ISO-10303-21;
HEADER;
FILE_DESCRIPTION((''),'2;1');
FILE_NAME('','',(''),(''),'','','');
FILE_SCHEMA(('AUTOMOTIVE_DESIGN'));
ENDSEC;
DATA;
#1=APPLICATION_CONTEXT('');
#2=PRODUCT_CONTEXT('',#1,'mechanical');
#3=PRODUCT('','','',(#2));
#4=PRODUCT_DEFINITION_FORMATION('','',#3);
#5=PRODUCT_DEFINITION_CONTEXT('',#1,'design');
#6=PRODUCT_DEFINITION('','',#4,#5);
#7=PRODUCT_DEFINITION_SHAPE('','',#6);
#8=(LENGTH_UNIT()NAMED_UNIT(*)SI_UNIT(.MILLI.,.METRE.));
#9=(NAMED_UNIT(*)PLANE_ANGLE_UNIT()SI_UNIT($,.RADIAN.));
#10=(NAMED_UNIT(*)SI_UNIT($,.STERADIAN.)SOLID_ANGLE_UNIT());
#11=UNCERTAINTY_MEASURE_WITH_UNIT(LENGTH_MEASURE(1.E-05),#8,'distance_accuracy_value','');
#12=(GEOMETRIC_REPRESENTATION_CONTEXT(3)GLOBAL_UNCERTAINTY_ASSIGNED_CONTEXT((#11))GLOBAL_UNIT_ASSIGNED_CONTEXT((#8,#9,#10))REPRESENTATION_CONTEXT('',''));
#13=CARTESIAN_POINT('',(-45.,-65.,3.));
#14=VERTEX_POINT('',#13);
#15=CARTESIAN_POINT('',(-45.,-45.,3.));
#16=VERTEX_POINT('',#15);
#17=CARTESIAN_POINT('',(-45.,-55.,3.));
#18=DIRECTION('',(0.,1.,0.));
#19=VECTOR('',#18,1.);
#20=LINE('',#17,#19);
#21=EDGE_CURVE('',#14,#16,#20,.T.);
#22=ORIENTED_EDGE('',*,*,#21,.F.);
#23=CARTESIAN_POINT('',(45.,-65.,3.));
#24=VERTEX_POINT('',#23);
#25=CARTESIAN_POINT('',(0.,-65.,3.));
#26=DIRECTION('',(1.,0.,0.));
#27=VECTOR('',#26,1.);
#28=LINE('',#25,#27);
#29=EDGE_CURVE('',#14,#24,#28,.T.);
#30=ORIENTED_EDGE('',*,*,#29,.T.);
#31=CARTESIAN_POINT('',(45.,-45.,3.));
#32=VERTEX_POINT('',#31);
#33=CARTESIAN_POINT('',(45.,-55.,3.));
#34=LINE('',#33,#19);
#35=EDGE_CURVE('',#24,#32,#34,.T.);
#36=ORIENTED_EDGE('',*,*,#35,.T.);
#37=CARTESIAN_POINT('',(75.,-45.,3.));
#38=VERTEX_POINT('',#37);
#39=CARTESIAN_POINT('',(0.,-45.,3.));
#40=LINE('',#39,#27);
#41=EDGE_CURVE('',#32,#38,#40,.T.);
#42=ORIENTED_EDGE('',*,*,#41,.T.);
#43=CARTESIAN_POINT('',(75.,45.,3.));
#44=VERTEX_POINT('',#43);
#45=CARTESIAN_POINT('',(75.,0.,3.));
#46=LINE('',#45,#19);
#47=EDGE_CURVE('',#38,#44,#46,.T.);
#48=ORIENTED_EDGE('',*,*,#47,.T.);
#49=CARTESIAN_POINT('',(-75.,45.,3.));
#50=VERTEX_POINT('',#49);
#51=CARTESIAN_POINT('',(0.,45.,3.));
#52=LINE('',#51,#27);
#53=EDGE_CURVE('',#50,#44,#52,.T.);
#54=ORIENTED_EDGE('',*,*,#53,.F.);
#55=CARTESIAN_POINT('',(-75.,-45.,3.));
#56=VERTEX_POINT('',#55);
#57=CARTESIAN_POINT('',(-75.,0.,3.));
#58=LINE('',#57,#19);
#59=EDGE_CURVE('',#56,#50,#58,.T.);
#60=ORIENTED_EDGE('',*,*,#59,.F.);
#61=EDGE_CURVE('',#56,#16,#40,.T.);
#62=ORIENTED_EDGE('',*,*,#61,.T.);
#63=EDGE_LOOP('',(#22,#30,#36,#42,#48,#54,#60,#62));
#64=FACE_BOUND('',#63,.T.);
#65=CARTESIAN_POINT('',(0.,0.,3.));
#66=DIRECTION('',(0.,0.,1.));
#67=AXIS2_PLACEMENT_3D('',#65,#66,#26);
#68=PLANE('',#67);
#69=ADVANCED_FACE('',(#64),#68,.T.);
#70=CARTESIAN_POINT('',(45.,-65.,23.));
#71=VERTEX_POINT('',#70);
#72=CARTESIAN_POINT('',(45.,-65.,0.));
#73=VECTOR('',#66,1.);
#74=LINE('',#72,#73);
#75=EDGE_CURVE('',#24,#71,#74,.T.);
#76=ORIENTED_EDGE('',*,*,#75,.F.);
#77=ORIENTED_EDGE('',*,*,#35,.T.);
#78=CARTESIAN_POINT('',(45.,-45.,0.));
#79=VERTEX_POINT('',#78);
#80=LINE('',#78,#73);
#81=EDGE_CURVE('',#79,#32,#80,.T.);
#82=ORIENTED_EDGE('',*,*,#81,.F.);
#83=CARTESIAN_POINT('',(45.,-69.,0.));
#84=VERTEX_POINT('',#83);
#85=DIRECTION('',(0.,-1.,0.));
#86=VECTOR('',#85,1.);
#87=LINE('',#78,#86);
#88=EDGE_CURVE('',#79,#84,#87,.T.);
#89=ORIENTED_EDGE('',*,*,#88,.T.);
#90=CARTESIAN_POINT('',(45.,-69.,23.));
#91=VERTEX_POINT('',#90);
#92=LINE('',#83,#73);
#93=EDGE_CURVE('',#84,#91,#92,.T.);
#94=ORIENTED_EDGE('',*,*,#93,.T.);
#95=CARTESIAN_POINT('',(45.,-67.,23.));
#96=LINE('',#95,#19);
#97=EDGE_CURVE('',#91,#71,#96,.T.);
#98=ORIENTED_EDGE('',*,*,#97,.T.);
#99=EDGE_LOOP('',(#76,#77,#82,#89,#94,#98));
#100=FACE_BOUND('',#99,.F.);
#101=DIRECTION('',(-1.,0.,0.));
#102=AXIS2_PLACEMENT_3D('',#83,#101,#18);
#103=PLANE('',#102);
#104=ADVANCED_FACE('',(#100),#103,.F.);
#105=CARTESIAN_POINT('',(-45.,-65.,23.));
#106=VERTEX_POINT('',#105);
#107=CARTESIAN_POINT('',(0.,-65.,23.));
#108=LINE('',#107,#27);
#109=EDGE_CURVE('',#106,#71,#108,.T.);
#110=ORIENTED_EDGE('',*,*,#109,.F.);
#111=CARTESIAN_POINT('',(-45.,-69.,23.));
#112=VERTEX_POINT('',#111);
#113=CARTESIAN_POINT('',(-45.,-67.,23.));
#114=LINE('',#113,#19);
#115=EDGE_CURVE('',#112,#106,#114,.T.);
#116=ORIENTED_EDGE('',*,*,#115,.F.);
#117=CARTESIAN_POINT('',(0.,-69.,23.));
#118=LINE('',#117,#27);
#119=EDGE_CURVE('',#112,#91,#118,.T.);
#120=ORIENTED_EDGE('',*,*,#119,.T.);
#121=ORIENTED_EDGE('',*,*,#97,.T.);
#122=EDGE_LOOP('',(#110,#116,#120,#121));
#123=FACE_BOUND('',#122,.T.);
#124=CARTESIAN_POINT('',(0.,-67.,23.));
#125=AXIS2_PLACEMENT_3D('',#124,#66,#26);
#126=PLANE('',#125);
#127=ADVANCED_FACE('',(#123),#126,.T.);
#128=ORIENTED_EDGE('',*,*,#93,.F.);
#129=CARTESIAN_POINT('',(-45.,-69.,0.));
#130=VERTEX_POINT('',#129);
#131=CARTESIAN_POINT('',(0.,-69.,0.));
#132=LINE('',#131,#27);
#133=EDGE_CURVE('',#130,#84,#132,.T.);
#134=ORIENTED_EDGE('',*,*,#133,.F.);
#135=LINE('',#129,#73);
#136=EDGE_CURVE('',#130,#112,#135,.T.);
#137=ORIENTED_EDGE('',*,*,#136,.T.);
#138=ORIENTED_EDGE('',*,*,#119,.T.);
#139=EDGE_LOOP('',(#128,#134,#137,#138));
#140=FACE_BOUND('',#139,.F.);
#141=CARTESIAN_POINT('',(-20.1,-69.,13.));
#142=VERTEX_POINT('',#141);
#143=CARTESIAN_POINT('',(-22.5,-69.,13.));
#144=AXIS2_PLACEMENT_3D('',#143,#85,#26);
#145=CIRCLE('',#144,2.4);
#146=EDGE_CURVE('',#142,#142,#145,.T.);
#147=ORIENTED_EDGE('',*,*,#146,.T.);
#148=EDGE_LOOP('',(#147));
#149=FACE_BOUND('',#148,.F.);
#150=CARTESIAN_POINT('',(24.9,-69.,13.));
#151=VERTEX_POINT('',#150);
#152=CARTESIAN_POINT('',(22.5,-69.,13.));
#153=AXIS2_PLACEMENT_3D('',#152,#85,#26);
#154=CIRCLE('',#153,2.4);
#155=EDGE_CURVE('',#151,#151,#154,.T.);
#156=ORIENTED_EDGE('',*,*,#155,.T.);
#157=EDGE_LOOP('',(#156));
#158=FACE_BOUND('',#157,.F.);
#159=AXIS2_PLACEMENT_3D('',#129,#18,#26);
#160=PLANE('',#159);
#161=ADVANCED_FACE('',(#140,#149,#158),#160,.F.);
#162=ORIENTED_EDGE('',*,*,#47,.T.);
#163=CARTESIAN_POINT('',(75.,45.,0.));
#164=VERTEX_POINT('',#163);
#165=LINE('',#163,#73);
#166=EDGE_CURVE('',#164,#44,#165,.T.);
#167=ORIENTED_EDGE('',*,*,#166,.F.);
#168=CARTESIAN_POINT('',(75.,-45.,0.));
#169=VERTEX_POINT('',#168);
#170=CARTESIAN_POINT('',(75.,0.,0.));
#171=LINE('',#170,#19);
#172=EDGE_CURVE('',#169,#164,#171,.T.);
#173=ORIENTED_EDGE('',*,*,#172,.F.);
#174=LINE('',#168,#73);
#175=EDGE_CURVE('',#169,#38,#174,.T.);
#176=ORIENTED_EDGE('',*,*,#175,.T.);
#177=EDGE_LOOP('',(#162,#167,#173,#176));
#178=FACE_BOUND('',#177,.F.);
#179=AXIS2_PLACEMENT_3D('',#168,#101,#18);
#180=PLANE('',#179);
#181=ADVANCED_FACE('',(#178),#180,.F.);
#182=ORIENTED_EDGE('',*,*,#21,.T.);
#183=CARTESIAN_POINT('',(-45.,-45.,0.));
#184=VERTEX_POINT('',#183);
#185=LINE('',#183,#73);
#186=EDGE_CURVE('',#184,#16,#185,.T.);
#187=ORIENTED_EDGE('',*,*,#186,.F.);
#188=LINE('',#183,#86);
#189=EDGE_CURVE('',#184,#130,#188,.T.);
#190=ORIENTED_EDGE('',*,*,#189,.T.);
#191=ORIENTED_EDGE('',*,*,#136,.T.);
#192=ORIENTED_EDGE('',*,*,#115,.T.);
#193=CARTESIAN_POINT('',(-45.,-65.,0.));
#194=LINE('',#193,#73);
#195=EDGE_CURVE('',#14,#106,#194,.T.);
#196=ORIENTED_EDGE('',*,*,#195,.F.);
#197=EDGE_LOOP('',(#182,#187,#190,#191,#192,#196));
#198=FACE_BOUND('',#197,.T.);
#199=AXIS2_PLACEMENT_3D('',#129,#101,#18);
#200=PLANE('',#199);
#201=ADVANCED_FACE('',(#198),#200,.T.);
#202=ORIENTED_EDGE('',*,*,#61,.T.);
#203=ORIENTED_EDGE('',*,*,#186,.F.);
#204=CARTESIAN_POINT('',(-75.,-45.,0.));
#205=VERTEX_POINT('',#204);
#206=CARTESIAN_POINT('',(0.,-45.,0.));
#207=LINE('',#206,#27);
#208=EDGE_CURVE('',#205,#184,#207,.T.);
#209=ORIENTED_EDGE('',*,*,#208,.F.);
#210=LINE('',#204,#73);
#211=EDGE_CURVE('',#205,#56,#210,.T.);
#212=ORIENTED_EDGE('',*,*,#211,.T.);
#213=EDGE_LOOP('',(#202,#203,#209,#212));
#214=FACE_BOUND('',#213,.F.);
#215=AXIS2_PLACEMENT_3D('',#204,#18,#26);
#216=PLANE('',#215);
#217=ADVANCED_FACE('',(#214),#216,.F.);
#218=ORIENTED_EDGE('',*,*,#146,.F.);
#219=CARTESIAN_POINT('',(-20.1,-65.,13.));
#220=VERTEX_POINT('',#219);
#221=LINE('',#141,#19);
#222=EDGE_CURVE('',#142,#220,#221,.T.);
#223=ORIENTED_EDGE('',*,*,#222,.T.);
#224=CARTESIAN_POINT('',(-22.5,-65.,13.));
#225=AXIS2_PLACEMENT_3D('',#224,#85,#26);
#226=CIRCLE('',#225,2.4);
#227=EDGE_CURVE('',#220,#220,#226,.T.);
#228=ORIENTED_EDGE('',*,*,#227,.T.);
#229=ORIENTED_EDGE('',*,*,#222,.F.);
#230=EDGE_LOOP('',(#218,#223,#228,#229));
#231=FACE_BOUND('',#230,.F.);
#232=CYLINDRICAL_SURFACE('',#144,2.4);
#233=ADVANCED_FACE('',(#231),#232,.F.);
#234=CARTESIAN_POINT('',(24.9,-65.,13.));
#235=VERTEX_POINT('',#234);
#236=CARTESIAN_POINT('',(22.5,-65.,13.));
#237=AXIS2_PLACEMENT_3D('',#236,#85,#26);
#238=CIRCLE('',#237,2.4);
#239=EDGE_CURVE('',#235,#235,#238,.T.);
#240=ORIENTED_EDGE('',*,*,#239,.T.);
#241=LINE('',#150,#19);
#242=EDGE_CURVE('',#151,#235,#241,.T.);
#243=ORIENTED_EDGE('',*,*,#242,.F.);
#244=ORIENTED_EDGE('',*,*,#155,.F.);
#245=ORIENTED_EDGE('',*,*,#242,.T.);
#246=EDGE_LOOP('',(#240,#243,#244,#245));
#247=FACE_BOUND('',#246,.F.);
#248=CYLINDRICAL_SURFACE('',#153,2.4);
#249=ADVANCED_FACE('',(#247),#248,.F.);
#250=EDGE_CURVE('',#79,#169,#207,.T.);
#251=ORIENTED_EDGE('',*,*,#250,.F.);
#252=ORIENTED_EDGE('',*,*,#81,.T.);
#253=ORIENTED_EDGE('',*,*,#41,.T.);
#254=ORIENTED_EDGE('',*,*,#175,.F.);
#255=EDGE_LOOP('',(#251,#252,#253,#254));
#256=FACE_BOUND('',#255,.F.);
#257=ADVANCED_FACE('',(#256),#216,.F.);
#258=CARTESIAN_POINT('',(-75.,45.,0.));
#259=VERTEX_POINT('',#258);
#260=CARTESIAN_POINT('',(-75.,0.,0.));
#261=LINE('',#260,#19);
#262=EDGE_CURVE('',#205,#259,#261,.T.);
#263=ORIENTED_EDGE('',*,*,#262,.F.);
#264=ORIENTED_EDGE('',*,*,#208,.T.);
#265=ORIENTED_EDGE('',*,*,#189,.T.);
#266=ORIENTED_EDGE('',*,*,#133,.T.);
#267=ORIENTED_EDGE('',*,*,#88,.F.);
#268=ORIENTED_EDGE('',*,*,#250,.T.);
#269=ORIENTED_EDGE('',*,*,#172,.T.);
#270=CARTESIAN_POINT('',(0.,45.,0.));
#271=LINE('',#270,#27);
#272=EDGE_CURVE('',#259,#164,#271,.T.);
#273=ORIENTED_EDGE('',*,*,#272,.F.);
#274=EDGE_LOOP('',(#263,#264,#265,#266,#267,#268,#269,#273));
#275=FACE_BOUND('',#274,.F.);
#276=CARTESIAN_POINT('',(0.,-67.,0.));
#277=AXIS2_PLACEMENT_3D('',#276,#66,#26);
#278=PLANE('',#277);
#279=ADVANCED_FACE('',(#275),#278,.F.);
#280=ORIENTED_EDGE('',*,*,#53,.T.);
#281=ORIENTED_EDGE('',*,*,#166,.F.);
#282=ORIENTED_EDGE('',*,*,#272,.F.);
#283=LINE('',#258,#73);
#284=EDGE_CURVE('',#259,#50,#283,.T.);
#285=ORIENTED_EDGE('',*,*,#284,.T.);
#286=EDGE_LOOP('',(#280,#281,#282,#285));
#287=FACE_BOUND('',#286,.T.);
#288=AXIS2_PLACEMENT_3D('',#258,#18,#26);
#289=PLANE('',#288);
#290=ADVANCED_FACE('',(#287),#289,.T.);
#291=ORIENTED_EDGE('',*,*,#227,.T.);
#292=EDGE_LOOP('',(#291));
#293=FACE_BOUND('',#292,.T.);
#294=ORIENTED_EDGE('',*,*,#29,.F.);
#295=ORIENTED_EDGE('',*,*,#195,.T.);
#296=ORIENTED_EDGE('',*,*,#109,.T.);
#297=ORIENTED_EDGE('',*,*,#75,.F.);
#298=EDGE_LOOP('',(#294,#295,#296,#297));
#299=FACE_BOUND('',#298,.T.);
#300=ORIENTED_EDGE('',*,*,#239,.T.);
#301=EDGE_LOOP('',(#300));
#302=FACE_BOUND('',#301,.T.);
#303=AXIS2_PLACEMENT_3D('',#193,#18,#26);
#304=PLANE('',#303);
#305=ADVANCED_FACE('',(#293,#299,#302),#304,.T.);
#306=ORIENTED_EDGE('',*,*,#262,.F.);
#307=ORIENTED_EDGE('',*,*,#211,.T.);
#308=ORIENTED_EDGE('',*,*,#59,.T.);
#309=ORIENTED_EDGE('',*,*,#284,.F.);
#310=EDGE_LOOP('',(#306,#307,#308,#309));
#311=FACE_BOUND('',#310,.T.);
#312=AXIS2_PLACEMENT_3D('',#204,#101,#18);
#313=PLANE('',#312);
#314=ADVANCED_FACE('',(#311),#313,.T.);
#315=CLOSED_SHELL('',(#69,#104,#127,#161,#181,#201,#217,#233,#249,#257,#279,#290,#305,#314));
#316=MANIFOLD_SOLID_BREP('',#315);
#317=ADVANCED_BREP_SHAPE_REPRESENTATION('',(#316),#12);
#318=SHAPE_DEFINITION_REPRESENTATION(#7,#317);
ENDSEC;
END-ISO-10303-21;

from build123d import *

# Parameters (mm, degrees)
SKETCH_1_W          = 150
SKETCH_1_H          = 90
EXTRUDE_1_DEPTH     = 3
SKETCH_2_W          = 90
SKETCH_2_H          = 20
EXTRUDE_2_DEPTH     = 3
SKETCH_3_W          = 90
SKETCH_3_H          = 4
EXTRUDE_3_DEPTH     = 23
CUT_EXTRUDE_1_REACH = 116
SKETCH_4_R          = 2.4


with BuildPart() as part:
    # 스케치1 → 보스-돌출1 (new body)
    with BuildSketch(Plane.XY):
        Rectangle(SKETCH_1_W, SKETCH_1_H)
    extrude(amount=EXTRUDE_1_DEPTH)

    # 스케치2 → 보스-돌출2 (add)
    with BuildSketch(Plane.XY):
        with Locations((0, -55)):
            Rectangle(SKETCH_2_W, SKETCH_2_H)
    extrude(amount=EXTRUDE_2_DEPTH)

    # 스케치3 → 보스-돌출3 (add)
    with BuildSketch(Plane.XY):
        with Locations((0, -67)):
            Rectangle(SKETCH_3_W, SKETCH_3_H)
    extrude(amount=EXTRUDE_3_DEPTH)

    # 스케치4 → 컷-돌출1 (cut, up to next)
    with BuildSketch(Plane.XZ.offset(69), mode=Mode.PRIVATE) as cut_extrude_1_sk1:
        with Locations((-22.5, 13)):
            Circle(SKETCH_4_R)
    cut_extrude_1_tool1 = extrude(cut_extrude_1_sk1.sketch, amount=-CUT_EXTRUDE_1_REACH, mode=Mode.PRIVATE) & part.part
    add(cut_extrude_1_tool1.solids().sort_by_distance((-22.5, -69, 13))[0], mode=Mode.SUBTRACT)
    # 스케치4 → 컷-돌출1 (cut, up to next)
    with BuildSketch(Plane.XZ.offset(69), mode=Mode.PRIVATE) as cut_extrude_1_sk2:
        with Locations((22.5, 13)):
            Circle(SKETCH_4_R)
    cut_extrude_1_tool2 = extrude(cut_extrude_1_sk2.sketch, amount=-CUT_EXTRUDE_1_REACH, mode=Mode.PRIVATE) & part.part
    add(cut_extrude_1_tool2.solids().sort_by_distance((22.5, -69, 13))[0], mode=Mode.SUBTRACT)


solid = part.part
